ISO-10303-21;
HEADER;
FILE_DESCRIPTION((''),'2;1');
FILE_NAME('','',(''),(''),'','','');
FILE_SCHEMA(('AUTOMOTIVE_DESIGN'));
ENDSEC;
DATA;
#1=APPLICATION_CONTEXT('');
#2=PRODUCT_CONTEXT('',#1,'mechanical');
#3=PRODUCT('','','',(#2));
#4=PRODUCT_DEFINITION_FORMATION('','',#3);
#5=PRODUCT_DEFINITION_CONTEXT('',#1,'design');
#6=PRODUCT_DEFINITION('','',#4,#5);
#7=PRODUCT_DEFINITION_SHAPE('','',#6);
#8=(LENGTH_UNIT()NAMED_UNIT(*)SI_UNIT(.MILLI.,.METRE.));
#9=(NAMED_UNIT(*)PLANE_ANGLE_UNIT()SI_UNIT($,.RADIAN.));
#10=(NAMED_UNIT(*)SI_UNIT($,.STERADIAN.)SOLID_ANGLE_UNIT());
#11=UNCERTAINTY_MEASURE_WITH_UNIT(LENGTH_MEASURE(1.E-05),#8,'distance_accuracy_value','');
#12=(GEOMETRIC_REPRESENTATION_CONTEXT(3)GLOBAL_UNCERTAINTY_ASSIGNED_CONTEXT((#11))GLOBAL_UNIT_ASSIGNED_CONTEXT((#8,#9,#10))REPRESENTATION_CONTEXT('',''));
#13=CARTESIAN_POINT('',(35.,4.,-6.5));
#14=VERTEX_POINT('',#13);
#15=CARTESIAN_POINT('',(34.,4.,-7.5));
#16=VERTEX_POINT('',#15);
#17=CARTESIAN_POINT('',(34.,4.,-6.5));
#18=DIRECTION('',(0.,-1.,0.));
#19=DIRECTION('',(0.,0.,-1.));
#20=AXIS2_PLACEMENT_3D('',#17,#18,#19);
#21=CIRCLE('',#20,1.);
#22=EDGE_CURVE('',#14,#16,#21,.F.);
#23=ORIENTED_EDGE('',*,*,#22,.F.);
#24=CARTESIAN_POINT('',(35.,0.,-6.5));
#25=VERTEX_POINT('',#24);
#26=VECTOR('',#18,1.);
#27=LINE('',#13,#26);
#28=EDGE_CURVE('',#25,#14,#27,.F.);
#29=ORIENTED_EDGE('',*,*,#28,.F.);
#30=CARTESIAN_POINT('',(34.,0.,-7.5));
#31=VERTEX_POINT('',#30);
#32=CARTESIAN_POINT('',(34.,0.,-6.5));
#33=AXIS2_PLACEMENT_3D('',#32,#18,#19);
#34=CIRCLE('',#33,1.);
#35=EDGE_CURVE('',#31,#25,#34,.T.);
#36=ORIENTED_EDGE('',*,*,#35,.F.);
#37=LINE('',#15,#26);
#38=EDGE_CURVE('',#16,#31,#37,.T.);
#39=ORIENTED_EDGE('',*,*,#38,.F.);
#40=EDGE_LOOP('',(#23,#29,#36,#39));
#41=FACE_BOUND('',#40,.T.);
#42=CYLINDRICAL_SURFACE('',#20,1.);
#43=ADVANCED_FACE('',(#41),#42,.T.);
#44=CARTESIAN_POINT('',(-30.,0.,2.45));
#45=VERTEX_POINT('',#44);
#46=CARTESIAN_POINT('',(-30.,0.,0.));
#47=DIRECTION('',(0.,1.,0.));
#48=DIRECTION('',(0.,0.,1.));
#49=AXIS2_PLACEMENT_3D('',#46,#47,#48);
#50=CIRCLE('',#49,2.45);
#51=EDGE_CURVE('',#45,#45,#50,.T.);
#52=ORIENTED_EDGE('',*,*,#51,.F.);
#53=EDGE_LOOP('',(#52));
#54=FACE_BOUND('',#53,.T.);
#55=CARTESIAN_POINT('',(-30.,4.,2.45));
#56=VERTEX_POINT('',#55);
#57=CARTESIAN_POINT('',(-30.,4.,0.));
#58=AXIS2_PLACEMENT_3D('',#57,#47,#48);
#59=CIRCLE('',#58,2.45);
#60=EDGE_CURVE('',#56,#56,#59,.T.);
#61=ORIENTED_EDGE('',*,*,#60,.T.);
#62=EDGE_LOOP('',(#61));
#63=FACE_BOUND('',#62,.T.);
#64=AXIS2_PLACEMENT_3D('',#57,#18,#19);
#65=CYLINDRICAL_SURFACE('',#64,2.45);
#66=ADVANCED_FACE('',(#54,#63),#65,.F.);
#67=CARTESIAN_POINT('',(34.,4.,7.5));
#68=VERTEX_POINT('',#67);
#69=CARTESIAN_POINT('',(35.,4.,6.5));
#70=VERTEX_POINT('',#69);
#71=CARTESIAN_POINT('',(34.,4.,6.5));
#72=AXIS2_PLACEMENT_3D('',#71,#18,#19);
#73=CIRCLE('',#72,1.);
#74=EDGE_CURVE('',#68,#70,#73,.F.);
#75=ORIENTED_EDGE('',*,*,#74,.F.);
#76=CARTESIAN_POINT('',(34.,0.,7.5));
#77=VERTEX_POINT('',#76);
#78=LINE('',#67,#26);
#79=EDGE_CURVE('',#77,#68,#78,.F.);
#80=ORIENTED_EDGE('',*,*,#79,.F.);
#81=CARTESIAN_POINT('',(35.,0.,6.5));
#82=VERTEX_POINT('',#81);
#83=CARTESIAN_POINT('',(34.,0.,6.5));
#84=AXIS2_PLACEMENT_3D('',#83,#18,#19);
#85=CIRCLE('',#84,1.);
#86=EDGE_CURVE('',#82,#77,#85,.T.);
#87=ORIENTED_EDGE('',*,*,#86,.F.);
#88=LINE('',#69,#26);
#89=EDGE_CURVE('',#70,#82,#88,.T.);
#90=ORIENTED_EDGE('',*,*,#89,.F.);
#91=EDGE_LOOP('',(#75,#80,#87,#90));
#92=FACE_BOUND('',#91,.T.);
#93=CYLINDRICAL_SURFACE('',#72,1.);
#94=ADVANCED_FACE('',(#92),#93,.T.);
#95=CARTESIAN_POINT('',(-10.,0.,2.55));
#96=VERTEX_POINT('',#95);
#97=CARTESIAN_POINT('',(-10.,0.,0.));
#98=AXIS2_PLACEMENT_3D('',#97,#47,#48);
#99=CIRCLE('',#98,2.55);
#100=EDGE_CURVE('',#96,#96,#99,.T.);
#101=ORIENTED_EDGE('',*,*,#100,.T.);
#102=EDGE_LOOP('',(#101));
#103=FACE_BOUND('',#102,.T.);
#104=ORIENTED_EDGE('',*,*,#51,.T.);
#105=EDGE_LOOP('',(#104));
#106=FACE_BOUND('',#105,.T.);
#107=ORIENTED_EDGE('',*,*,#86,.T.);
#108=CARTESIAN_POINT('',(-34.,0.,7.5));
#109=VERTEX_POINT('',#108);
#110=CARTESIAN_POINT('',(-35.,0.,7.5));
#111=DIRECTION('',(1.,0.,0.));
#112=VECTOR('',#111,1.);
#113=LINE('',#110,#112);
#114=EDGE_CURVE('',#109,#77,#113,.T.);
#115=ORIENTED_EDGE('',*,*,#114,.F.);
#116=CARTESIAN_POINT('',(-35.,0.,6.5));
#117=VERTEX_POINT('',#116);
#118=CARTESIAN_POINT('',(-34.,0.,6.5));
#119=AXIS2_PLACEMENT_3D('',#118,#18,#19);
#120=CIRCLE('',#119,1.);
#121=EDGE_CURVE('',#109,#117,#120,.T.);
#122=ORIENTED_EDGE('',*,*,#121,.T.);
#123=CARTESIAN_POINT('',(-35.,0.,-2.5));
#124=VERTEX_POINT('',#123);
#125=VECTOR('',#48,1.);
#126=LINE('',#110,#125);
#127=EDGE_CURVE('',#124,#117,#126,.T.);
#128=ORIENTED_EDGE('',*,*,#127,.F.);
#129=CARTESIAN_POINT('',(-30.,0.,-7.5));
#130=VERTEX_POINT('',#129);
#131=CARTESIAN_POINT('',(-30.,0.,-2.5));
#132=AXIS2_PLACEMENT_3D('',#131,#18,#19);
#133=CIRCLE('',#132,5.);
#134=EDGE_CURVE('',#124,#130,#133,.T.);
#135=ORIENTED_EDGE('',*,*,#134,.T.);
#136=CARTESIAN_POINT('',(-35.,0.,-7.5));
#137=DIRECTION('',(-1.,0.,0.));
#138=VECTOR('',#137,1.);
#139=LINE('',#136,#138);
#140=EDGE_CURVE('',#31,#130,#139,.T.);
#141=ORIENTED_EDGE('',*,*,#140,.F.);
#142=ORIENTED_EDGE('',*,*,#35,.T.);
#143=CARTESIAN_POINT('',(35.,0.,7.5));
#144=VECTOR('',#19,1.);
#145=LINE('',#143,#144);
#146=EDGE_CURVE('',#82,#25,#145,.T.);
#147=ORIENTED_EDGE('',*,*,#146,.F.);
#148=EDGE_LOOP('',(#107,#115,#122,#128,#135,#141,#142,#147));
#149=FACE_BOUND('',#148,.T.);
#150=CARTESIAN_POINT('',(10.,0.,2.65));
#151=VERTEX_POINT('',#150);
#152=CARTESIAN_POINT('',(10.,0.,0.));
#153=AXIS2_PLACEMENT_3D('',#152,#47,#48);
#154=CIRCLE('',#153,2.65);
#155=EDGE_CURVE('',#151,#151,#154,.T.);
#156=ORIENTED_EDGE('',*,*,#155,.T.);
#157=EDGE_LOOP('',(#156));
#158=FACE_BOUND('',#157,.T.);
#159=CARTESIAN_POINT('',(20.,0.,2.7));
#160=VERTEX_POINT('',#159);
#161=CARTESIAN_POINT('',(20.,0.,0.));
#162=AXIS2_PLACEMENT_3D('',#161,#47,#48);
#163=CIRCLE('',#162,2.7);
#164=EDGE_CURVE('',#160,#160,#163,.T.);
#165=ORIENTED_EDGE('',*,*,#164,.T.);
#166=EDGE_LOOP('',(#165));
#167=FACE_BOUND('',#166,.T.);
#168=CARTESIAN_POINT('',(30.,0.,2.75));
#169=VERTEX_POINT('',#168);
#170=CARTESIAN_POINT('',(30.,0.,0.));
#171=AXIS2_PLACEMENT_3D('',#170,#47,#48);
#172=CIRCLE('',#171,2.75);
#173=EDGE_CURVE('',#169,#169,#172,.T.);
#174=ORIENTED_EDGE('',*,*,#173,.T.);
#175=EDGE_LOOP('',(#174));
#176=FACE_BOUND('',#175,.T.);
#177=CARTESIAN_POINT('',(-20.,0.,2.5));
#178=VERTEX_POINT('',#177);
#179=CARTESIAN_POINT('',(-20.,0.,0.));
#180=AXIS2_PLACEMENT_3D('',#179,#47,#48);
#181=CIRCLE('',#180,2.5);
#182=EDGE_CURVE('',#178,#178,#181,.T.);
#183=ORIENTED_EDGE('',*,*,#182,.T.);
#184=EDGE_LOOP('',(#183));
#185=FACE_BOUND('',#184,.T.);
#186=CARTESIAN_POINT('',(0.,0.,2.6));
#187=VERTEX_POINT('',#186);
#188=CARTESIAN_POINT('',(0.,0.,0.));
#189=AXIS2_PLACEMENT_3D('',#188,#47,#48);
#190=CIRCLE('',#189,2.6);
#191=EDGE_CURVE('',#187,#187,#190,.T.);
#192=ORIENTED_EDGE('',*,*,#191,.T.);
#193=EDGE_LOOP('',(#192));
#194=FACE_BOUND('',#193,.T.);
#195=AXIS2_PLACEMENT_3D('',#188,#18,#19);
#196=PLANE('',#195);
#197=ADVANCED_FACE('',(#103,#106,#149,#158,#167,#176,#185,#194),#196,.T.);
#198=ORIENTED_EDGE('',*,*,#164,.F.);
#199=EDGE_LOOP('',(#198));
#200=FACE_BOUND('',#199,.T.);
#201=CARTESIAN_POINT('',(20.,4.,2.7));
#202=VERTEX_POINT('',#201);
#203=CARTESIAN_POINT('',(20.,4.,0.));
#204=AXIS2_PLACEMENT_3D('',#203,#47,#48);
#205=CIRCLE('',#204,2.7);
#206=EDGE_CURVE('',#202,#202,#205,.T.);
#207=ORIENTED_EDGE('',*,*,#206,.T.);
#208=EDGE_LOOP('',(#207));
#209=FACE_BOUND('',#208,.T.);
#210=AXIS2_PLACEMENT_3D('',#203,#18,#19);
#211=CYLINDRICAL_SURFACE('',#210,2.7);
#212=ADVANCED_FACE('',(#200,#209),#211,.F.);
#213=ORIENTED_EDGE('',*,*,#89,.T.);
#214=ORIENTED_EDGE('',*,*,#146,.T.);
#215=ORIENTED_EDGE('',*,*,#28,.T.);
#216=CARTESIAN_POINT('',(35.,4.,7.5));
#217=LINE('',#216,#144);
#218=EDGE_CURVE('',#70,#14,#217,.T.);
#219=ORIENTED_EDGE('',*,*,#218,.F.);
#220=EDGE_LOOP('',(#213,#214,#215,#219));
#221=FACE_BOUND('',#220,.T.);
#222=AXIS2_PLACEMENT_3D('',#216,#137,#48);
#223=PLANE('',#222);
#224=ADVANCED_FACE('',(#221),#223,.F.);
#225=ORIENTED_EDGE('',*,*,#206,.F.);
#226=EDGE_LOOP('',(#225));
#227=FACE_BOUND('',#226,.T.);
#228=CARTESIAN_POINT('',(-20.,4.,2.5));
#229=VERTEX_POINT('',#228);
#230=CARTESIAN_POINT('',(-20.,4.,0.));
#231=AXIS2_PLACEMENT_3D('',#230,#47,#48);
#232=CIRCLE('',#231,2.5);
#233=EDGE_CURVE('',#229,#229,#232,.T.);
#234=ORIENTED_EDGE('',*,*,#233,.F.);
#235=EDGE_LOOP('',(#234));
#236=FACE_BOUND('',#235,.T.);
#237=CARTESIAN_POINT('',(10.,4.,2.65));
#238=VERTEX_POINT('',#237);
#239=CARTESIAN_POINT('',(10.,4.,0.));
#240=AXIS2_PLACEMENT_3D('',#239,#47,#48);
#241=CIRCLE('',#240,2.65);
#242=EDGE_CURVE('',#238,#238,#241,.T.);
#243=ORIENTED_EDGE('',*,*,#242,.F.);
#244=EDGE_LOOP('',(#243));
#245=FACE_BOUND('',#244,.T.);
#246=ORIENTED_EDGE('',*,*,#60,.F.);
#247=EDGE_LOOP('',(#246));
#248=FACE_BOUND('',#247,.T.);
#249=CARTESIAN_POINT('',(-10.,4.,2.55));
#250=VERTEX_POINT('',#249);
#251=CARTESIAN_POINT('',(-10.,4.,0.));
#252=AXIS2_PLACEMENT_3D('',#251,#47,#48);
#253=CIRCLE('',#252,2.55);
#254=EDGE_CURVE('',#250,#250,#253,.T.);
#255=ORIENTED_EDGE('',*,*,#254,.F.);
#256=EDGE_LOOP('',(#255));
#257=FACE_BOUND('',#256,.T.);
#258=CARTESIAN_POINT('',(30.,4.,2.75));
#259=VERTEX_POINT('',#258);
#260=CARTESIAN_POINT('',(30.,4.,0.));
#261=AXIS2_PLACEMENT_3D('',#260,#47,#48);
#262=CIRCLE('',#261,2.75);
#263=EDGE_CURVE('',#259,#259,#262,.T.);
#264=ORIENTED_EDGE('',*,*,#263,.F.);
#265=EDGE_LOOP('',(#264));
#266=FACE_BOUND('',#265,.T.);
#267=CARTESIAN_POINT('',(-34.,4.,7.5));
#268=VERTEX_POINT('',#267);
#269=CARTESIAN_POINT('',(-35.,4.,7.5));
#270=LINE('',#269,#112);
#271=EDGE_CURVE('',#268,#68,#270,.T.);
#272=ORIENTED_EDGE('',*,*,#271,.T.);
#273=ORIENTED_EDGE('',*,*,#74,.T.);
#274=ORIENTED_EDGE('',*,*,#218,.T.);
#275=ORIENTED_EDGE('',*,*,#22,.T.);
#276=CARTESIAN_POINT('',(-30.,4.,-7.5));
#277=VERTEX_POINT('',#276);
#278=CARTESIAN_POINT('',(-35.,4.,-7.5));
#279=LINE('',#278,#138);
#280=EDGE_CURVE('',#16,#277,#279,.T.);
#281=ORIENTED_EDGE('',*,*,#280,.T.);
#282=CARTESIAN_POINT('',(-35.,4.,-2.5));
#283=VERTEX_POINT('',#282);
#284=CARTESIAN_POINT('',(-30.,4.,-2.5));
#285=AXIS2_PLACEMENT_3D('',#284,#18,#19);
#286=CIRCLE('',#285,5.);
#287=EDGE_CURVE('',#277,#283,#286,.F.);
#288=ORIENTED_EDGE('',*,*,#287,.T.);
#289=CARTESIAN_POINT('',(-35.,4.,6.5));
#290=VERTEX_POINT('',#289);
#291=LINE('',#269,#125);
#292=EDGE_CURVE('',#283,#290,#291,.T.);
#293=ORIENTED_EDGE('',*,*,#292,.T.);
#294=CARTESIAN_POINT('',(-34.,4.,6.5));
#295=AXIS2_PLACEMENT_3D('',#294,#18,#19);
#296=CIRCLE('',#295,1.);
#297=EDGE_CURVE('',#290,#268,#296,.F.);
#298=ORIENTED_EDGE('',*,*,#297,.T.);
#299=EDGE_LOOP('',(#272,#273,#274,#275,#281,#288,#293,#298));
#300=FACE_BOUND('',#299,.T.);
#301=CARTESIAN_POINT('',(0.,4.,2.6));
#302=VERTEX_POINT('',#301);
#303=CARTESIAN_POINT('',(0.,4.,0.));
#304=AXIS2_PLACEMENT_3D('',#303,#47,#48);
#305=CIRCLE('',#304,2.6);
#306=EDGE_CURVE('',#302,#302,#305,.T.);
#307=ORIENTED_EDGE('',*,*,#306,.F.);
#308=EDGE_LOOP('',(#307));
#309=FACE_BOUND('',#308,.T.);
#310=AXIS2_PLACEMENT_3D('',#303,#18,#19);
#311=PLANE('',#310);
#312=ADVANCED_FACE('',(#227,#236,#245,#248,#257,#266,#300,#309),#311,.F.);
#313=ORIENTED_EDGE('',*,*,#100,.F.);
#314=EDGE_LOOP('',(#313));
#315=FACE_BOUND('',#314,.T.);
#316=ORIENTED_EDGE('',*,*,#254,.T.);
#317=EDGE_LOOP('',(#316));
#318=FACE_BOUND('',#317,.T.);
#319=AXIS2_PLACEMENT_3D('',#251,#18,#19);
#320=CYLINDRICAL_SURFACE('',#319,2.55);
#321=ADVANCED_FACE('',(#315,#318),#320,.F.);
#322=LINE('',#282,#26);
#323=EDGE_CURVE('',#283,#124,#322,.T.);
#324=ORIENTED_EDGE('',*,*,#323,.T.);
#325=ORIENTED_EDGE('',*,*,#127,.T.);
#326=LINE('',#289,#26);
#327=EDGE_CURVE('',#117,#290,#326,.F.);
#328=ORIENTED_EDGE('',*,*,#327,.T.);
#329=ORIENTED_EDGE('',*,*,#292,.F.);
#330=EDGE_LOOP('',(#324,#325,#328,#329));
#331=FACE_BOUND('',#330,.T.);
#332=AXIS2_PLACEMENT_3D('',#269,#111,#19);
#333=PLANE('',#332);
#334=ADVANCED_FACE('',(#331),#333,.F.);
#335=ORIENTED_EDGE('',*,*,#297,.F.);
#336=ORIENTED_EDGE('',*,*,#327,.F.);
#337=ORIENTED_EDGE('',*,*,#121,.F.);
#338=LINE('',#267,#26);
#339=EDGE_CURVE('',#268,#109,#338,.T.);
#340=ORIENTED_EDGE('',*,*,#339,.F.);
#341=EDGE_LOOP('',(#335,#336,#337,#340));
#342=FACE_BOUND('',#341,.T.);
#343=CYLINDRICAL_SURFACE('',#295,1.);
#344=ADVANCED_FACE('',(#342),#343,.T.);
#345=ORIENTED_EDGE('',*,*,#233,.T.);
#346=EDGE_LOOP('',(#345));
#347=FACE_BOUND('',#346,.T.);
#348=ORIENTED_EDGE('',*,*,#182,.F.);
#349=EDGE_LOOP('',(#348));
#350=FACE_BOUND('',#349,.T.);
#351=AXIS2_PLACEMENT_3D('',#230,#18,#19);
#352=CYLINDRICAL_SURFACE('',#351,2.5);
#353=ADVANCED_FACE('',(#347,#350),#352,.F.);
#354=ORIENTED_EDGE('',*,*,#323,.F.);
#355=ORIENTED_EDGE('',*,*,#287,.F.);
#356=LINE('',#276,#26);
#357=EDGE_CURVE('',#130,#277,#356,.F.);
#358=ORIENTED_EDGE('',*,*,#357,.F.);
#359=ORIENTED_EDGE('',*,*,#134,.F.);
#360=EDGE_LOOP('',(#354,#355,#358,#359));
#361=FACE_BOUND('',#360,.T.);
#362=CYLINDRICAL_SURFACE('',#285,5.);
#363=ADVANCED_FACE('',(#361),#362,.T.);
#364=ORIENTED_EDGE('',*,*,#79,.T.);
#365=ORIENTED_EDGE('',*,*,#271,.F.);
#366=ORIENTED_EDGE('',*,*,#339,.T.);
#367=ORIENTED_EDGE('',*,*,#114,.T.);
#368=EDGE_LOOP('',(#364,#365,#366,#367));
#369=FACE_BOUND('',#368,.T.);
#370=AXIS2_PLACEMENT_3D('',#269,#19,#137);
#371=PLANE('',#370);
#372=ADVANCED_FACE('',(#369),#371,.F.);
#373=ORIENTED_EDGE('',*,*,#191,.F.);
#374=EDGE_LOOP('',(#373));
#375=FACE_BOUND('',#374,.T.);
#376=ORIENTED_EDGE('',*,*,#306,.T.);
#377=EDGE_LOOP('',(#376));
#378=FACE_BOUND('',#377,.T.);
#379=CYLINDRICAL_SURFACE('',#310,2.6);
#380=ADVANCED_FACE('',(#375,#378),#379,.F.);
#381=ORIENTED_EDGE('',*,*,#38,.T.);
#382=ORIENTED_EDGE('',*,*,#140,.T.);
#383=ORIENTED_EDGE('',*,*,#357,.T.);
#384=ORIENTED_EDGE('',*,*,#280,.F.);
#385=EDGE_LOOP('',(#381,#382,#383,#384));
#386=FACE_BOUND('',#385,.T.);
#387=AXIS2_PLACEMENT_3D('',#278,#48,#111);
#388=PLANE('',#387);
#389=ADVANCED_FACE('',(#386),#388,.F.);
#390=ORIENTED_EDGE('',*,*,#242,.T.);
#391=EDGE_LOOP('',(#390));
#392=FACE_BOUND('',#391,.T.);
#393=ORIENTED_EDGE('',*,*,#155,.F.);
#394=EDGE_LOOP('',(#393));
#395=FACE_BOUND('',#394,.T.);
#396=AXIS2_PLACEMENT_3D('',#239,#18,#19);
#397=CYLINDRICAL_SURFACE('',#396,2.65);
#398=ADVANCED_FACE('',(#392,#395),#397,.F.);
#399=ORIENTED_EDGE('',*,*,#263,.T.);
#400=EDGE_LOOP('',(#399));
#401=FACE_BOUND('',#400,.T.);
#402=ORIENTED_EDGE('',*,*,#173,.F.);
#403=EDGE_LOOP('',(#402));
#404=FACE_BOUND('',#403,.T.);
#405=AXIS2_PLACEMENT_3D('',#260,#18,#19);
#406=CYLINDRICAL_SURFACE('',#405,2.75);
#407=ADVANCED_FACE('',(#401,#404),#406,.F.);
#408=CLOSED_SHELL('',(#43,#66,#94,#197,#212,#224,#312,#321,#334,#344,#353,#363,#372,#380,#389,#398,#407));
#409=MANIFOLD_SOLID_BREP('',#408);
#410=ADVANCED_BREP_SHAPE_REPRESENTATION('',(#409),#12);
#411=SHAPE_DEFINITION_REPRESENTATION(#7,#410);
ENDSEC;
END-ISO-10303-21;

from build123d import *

# Parameters (mm, degrees)
SKETCH1_W           = 70
SKETCH1_H           = 15
SKETCH1_R           = 2.45
SKETCH1_R_2         = 2.5
SKETCH1_R_3         = 2.55
SKETCH1_R_4         = 2.6
SKETCH1_R_5         = 2.65
SKETCH1_R_6         = 2.7
SKETCH1_R_7         = 2.75
BOSS_EXTRUDE1_DEPTH = 4
FILLET1_R           = 5
FILLET2_R           = 1


with BuildPart() as part:
    # Sketch1 → Boss-Extrude1 (new body)
    with BuildSketch(Plane(origin=(0, 0, 0), x_dir=(1, 0, 0), z_dir=(0, 1, 0))):
        Rectangle(SKETCH1_W, SKETCH1_H)
        with Locations(Location((-30, 0, 0), (0, 0, 270))):
            Circle(SKETCH1_R, mode=Mode.SUBTRACT)
        with Locations(Location((-20, 0, 0), (0, 0, 270))):
            Circle(SKETCH1_R_2, mode=Mode.SUBTRACT)
        with Locations(Location((-10, 0, 0), (0, 0, 270))):
            Circle(SKETCH1_R_3, mode=Mode.SUBTRACT)
        with Locations(Location((0, 0, 0), (0, 0, 270))):
            Circle(SKETCH1_R_4, mode=Mode.SUBTRACT)
        with Locations(Location((10, 0, 0), (0, 0, 270))):
            Circle(SKETCH1_R_5, mode=Mode.SUBTRACT)
        with Locations(Location((20, 0, 0), (0, 0, 270))):
            Circle(SKETCH1_R_6, mode=Mode.SUBTRACT)
        with Locations(Location((30, 0, 0), (0, 0, 270))):
            Circle(SKETCH1_R_7, mode=Mode.SUBTRACT)
    extrude(amount=BOSS_EXTRUDE1_DEPTH)

    # Fillet1
    fillet1_edges = [part.edges().sort_by_distance(p)[0] for p in [
        (-35, 2, -7.5),
    ]]
    fillet(fillet1_edges, radius=FILLET1_R)

    # Fillet2
    fillet2_edges = [part.edges().sort_by_distance(p)[0] for p in [
        (35, 2, 7.5),
        (-35, 2, 7.5),
        (35, 2, -7.5),
    ]]
    fillet(fillet2_edges, radius=FILLET2_R)


solid = part.part
